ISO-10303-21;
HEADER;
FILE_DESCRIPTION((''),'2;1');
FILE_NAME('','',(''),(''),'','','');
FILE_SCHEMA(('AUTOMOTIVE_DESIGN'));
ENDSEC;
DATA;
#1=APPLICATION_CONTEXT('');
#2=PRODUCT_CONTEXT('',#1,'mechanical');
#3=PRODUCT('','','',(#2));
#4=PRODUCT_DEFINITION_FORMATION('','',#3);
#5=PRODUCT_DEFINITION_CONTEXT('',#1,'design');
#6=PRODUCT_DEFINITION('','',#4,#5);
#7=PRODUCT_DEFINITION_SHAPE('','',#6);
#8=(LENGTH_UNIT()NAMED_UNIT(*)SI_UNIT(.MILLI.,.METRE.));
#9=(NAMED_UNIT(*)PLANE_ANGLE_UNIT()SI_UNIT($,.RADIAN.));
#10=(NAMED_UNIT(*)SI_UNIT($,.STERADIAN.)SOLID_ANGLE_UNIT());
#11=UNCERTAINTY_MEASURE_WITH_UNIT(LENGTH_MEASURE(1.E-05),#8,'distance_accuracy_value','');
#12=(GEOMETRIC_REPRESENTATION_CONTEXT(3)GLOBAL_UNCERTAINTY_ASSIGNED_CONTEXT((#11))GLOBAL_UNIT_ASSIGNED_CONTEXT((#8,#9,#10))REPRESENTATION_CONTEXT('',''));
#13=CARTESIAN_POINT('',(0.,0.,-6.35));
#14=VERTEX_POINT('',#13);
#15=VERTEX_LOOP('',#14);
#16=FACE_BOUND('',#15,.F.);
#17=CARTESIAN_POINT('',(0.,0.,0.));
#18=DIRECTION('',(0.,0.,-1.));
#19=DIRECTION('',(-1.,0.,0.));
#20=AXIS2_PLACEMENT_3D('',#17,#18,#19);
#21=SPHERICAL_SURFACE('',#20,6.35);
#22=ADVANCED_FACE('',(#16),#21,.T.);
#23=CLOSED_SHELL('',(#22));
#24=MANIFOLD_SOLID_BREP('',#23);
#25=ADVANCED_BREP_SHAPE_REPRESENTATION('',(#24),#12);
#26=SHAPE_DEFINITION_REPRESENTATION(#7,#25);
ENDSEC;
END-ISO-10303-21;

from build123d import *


with BuildPart() as part:
    # Sketch1 → Revolve1 (revolve)
    with BuildSketch(Plane(origin=(0, 0, 0), x_dir=(1, 0, 0), z_dir=(0, 1, 0))):
        with BuildLine():
            Line((0, 6.35), (0, -6.35))
            ThreePointArc((0, -6.35), (-6.35, 0), (0, 6.35))
        make_face()
    revolve(axis=Axis((0, 0, -6.35), (0, 0, 1)))


solid = part.part
